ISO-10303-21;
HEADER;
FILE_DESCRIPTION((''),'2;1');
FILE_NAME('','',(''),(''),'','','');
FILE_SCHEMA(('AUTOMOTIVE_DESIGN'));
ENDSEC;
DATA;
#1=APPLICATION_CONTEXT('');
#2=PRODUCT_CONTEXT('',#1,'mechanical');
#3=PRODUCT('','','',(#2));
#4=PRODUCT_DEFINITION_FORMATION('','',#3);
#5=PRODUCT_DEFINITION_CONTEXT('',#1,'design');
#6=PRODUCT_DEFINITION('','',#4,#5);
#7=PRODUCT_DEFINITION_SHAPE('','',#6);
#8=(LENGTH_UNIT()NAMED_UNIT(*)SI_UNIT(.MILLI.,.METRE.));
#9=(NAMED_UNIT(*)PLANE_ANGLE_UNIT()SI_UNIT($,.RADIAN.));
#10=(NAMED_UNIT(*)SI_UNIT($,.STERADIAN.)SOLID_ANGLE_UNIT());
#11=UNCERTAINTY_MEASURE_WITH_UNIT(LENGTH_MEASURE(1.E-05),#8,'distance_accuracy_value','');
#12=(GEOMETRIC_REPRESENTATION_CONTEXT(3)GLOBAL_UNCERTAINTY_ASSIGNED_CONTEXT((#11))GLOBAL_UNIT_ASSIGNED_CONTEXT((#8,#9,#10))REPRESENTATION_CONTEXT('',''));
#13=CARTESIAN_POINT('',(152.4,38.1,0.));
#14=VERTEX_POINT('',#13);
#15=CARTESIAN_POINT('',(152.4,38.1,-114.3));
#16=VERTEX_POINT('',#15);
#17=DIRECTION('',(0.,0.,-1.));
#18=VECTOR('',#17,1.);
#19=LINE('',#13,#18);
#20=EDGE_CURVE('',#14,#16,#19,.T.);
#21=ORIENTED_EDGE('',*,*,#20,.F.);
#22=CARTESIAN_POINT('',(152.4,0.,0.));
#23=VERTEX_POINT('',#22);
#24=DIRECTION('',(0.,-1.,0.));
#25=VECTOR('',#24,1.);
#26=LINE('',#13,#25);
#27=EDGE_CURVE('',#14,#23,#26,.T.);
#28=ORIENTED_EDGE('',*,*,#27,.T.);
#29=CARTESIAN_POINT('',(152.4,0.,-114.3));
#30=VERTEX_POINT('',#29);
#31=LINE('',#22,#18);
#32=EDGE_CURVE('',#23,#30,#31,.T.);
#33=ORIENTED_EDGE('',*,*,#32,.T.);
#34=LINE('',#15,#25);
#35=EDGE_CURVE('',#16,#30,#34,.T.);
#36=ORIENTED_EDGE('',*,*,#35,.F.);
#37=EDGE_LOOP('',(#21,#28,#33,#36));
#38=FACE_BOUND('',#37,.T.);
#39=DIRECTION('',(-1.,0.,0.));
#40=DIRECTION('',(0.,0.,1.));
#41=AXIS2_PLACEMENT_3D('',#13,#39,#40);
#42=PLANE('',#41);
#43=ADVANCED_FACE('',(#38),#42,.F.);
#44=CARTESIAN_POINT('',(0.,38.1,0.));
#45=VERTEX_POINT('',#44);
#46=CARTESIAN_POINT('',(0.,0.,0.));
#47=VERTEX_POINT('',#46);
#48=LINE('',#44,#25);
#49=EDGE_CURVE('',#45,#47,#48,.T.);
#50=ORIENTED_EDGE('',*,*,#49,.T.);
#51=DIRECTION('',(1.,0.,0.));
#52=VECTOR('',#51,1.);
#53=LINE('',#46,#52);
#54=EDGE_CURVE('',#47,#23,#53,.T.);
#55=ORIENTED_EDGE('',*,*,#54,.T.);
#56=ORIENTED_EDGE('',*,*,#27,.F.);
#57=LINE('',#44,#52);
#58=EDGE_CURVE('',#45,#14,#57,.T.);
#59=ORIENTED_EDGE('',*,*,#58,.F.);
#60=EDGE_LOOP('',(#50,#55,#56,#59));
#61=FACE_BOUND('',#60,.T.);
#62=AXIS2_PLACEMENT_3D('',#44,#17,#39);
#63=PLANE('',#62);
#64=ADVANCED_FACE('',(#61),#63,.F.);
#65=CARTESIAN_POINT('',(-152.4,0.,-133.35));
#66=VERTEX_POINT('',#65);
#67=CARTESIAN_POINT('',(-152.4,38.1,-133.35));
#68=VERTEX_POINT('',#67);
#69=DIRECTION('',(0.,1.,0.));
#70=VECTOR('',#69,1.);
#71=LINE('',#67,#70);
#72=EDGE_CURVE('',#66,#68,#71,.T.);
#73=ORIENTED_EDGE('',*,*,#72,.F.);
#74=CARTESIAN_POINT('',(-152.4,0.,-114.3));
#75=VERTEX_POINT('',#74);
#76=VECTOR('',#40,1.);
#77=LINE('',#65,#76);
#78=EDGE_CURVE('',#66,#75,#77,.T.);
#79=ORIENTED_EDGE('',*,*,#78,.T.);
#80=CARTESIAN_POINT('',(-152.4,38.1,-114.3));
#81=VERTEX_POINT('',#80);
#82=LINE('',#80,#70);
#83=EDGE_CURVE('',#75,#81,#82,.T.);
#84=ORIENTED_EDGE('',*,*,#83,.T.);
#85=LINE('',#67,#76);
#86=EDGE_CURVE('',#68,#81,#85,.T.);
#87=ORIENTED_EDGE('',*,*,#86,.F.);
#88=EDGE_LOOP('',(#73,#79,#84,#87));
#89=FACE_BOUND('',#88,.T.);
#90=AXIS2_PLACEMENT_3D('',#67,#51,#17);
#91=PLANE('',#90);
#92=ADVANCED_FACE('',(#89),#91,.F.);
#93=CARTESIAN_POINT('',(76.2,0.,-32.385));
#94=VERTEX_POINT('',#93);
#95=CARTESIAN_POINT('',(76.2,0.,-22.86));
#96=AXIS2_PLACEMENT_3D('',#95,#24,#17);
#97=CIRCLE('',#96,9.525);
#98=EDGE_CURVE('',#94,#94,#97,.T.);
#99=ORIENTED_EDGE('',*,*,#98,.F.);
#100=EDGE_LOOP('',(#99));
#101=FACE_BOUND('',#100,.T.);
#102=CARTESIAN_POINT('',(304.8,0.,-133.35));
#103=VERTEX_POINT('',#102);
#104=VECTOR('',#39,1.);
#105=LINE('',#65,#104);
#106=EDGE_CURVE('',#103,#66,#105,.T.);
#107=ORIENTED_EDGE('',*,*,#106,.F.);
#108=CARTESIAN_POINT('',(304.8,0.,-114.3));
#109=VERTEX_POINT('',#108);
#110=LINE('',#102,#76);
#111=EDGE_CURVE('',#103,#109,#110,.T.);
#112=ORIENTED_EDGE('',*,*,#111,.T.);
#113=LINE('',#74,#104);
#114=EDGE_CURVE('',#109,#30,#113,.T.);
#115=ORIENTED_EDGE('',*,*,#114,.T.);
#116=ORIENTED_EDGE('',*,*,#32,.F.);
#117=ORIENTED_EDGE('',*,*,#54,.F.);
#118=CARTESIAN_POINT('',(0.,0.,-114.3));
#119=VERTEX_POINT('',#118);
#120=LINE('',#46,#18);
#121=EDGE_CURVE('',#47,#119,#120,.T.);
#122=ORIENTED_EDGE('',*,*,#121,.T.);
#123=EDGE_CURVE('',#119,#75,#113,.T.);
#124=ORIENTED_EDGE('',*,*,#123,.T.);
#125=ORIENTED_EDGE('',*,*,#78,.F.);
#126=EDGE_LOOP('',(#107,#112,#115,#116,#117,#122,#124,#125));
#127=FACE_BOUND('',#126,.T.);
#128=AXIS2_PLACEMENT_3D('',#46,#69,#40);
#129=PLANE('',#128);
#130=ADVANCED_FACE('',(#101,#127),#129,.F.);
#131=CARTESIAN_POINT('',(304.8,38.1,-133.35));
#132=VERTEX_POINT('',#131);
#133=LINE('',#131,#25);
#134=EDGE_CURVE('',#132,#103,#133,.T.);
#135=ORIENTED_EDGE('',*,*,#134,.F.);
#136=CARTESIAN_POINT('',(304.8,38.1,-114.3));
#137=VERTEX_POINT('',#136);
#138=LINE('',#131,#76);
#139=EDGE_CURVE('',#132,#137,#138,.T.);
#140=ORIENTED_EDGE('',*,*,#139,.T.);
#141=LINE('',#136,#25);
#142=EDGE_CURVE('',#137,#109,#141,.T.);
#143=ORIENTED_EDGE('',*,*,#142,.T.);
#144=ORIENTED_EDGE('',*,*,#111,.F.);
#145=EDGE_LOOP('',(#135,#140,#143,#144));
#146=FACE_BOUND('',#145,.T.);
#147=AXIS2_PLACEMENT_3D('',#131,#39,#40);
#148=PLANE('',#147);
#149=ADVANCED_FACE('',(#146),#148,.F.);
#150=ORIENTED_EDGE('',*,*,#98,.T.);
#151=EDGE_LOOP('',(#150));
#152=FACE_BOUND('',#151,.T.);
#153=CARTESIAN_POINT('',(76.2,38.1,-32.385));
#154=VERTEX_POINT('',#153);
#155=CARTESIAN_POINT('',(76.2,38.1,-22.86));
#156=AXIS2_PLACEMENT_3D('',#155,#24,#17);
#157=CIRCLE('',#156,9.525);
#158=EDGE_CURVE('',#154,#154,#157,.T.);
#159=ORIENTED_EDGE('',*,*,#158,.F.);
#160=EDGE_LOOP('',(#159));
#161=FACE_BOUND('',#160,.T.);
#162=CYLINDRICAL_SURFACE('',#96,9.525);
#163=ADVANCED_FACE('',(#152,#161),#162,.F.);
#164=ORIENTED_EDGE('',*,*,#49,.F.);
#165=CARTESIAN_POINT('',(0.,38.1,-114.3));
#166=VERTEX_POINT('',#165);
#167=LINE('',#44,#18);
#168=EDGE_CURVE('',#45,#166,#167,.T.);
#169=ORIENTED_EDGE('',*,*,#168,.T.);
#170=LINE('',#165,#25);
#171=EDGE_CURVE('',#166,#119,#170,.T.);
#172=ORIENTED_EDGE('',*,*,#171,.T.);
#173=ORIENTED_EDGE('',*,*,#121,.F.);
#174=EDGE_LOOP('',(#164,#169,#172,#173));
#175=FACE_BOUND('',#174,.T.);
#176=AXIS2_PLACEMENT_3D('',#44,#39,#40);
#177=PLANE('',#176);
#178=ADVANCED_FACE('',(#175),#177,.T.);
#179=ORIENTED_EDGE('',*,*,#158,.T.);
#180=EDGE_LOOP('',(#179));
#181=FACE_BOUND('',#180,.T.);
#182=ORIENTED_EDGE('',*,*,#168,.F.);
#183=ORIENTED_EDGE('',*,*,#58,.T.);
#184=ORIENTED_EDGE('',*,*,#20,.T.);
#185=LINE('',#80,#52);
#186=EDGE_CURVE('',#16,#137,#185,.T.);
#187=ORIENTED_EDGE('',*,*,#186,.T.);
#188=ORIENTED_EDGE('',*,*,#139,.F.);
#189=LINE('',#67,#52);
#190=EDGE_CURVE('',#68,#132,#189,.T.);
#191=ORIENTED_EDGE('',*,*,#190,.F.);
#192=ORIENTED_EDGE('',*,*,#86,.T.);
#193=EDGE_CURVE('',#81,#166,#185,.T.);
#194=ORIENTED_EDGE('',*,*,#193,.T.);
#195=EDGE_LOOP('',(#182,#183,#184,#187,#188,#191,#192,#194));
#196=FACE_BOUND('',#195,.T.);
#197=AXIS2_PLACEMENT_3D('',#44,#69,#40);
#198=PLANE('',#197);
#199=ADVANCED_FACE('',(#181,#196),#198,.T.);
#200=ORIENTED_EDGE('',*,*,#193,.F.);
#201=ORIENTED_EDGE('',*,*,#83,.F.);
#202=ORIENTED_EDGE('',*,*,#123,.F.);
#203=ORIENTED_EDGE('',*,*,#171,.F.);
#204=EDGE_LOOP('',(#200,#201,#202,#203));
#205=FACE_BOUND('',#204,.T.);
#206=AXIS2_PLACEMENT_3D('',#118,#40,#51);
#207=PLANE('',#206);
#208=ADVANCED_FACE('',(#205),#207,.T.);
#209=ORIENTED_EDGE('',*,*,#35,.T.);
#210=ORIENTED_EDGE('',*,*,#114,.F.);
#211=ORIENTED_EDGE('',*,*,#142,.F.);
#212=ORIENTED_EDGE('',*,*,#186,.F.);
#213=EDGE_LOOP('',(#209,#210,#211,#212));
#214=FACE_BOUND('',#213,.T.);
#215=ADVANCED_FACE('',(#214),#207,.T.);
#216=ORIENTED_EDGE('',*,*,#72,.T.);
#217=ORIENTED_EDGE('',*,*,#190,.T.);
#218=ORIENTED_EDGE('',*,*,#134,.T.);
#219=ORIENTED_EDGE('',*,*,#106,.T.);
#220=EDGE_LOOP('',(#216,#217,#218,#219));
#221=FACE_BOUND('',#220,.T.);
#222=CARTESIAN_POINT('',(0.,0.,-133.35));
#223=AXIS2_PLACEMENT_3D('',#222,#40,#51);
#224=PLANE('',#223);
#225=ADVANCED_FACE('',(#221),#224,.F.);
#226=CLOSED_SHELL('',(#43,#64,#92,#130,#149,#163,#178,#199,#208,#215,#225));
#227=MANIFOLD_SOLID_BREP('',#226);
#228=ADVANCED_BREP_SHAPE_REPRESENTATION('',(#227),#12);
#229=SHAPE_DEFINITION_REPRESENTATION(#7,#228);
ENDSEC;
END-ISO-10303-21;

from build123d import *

# Parameters (mm, degrees)
SKETCH1_W                    = 152.4
SKETCH1_H                    = 114.3
BOSS_EXTRUDE1_DEPTH          = 38.1
SKETCH2_W                    = 457.2
SKETCH2_H                    = 38.1
BOSS_EXTRUDE2_DEPTH          = 19.05
F_96_0_0063_DIAMETER_HOLE1_D = 19.05


with BuildPart() as part:
    # Sketch1 → Boss-Extrude1 (new body)
    with BuildSketch(Plane(origin=(0, 0, 0), x_dir=(1, 0, 0), z_dir=(0, 1, 0))):
        with Locations((76.2, 57.15)):
            Rectangle(SKETCH1_W, SKETCH1_H)
    extrude(amount=BOSS_EXTRUDE1_DEPTH)

    # Sketch2 → Boss-Extrude2 (add)
    with BuildSketch(Plane(origin=(0, 0, -114.3), x_dir=(-1, 0, 0), z_dir=(0, 0, -1))):
        with Locations((-76.2, 19.05)):
            Rectangle(SKETCH2_W, SKETCH2_H)
    extrude(amount=BOSS_EXTRUDE2_DEPTH)

    # #96 (0.0063) Diameter Hole1 (through all)
    with Locations(Plane(origin=(76.2, 0, -22.86), x_dir=(0, 0, -1), z_dir=(0, -1, 0))):
        with Locations((0, 0)):
            Hole(F_96_0_0063_DIAMETER_HOLE1_D / 2)


solid = part.part
